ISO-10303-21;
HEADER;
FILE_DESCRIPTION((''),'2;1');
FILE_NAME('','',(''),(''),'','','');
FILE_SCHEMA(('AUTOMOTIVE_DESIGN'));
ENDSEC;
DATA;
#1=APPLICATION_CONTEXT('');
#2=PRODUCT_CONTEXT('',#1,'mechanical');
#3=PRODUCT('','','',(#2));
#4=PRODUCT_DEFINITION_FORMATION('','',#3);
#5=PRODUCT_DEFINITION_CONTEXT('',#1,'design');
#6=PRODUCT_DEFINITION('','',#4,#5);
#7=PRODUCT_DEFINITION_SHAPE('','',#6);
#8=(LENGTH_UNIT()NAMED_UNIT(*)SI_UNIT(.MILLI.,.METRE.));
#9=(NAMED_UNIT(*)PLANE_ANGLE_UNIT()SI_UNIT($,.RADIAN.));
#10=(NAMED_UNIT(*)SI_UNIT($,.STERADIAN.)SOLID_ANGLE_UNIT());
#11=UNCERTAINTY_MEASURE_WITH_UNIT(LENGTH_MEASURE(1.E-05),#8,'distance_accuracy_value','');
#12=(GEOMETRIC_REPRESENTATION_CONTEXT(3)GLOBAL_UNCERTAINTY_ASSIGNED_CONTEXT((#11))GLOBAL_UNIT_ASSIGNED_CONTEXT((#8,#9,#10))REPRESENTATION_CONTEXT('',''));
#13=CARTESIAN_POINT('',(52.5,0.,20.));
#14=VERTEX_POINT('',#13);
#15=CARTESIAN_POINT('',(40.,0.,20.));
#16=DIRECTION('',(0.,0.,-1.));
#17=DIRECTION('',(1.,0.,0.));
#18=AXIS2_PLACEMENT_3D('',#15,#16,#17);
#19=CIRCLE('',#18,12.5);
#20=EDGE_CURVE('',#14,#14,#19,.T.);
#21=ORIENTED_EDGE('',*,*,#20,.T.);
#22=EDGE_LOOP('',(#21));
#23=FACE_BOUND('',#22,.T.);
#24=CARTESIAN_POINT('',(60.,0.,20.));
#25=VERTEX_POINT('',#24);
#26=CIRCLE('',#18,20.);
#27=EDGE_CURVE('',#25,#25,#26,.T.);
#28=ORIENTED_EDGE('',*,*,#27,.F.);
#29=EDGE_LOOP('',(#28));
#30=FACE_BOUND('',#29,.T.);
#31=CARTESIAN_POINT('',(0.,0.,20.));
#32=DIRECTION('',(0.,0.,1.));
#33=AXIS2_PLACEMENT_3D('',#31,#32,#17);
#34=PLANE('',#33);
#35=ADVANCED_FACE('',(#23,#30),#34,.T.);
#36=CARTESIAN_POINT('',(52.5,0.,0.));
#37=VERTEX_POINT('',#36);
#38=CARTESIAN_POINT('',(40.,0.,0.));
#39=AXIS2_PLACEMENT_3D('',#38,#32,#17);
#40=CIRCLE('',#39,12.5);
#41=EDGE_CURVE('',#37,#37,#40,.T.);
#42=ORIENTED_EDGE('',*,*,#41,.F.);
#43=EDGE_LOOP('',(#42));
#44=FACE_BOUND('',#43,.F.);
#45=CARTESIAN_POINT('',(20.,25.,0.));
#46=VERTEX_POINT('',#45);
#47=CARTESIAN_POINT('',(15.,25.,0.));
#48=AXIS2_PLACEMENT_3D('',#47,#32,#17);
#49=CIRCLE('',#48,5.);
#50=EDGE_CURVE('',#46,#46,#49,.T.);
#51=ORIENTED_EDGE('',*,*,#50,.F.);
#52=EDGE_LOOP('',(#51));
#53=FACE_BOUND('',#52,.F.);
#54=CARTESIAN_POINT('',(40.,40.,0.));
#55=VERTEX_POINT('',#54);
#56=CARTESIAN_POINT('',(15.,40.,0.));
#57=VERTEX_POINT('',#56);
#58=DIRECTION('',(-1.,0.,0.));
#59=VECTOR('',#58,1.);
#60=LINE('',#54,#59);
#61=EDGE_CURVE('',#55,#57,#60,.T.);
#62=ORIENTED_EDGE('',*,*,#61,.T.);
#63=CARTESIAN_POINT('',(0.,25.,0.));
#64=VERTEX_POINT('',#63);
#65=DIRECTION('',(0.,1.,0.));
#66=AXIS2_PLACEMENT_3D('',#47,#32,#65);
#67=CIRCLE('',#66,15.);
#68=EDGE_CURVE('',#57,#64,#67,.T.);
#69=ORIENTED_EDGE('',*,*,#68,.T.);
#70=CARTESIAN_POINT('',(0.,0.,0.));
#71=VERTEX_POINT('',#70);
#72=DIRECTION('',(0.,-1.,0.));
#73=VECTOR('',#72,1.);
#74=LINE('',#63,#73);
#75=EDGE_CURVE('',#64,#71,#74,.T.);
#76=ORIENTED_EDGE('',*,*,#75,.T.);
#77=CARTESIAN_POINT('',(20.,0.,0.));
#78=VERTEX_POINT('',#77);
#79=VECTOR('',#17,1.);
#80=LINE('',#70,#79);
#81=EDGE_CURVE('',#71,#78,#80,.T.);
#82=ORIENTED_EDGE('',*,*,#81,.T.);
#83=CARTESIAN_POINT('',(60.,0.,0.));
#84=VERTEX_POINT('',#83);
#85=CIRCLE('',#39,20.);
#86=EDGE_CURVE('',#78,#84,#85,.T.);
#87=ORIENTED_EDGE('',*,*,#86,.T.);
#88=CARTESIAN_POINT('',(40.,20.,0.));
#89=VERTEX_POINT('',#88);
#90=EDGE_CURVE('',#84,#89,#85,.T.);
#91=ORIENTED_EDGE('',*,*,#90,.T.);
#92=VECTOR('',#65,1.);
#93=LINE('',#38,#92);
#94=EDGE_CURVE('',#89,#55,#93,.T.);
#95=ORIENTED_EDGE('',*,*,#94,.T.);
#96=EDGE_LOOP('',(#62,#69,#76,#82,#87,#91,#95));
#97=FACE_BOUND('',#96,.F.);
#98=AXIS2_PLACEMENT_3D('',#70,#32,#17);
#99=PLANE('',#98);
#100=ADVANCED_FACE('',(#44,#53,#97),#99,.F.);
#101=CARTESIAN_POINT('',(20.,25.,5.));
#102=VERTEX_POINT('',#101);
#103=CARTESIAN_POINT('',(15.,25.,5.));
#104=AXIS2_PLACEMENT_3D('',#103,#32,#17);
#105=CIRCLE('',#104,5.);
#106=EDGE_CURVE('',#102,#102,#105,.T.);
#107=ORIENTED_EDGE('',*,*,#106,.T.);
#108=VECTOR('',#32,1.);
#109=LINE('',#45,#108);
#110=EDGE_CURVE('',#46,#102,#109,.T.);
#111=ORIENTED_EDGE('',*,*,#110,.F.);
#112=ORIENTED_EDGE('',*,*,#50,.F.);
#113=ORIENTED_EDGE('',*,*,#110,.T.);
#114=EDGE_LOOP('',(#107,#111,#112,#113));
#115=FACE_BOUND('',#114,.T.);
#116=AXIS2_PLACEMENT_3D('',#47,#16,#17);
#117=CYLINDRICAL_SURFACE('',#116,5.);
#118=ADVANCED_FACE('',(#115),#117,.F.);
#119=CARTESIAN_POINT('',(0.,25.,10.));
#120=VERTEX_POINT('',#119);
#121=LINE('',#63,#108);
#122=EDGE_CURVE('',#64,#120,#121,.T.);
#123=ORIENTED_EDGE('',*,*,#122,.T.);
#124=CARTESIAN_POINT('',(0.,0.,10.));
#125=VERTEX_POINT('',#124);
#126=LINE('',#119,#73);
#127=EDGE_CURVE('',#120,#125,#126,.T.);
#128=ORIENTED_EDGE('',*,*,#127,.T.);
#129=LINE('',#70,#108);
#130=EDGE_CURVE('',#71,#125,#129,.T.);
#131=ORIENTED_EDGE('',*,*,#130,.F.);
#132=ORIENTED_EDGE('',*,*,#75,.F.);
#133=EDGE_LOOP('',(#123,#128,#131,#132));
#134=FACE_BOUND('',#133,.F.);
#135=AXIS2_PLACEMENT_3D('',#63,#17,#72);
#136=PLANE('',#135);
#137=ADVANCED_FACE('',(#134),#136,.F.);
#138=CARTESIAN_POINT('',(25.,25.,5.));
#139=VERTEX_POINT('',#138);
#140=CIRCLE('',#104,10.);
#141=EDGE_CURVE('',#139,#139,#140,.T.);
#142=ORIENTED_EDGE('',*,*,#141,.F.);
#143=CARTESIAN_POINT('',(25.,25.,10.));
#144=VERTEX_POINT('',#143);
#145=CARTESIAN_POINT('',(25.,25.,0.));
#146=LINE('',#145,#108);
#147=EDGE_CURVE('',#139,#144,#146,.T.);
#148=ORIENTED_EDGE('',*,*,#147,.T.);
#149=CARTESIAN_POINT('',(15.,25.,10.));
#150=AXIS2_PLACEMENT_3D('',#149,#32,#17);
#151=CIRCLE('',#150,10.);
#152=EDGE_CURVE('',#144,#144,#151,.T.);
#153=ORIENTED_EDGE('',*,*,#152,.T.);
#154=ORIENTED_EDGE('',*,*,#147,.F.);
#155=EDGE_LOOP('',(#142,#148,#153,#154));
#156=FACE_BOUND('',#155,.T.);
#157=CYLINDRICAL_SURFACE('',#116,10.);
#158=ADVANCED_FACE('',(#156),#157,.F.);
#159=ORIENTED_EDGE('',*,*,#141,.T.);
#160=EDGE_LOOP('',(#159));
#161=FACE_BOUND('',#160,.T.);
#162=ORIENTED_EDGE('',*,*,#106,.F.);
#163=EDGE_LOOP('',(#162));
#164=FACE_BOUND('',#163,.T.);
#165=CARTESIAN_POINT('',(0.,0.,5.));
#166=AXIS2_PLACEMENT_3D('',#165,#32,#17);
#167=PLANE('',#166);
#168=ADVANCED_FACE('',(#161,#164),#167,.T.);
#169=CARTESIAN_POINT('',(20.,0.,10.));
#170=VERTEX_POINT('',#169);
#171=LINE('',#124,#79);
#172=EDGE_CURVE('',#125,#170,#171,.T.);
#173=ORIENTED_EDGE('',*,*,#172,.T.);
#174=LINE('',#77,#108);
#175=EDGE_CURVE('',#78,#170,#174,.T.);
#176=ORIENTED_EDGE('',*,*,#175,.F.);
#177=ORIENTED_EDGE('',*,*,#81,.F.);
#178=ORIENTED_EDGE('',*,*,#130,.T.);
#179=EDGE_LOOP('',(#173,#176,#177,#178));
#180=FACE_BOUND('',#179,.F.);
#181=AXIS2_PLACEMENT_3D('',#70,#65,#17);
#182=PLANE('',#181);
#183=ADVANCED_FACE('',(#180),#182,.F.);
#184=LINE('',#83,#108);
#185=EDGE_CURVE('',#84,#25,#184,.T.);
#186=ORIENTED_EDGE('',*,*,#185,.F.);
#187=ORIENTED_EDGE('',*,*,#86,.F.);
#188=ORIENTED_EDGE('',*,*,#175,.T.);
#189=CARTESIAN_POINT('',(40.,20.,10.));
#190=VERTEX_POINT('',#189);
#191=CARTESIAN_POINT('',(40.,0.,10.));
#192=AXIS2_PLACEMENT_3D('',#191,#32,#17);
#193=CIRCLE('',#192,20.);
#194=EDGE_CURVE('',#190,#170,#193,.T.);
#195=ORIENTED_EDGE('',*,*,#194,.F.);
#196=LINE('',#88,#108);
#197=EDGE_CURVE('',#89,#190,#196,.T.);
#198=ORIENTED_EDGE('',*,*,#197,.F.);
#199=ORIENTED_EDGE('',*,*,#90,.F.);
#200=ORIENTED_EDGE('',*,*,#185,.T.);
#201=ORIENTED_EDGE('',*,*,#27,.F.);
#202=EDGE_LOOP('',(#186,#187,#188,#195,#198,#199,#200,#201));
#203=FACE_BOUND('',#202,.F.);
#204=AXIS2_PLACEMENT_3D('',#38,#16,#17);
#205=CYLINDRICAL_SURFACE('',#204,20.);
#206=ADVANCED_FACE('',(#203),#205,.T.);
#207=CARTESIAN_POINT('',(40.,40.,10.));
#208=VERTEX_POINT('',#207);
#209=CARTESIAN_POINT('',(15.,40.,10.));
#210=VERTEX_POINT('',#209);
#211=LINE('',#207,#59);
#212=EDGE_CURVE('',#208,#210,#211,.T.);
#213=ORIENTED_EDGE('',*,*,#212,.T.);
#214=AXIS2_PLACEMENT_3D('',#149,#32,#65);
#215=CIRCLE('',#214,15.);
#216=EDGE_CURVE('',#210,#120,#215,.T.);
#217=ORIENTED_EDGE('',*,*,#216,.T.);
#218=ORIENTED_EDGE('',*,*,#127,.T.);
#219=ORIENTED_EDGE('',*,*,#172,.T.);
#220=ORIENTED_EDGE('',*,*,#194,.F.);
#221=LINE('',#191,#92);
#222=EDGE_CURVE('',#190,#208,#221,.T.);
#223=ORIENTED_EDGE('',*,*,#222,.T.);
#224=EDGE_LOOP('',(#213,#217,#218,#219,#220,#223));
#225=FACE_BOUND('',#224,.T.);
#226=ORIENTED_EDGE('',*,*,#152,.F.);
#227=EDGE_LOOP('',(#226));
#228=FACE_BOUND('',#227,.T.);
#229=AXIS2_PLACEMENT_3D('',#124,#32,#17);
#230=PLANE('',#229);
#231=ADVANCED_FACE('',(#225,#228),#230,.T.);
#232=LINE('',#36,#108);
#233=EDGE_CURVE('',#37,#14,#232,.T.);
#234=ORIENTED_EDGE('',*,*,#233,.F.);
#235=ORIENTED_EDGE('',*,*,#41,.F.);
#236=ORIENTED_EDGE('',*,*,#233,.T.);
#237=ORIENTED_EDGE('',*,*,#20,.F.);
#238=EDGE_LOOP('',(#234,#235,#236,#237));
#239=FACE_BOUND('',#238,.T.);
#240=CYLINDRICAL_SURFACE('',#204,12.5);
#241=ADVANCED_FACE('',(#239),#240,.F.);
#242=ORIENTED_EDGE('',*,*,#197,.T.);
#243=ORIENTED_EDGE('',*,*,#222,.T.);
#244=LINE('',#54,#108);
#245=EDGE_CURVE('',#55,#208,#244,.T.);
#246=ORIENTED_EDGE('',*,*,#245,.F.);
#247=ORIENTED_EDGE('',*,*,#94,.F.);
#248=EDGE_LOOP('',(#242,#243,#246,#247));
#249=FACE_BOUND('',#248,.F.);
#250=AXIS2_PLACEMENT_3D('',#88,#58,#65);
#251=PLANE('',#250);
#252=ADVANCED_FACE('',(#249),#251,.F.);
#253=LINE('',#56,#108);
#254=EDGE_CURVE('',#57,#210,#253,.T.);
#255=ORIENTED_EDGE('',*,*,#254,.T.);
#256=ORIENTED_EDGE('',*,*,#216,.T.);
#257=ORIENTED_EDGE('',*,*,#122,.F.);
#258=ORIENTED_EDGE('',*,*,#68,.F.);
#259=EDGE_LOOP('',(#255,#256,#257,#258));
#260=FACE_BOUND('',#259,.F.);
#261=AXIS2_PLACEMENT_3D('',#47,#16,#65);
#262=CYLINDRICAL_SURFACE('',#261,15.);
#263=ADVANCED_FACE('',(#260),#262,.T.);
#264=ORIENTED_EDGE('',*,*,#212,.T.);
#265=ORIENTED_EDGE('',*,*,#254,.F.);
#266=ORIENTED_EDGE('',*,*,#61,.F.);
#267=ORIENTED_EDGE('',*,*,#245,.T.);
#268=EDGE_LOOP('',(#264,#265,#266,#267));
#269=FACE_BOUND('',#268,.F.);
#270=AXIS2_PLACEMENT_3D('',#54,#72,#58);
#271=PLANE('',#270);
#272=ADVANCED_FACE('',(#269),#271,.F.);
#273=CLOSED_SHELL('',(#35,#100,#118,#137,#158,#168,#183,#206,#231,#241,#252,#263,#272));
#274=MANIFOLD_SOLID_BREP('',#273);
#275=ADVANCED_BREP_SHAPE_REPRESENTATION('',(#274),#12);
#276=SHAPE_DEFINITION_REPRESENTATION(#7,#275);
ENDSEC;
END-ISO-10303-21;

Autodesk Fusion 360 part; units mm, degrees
sketch "스케치1" plane through (0, 0, 0) normal (0, 0, 1) x (1, 0, 0)
  line L0 (0, 0) -> (40, 0)
  line L1 (40, 0) -> (40, 40)
  line L2 (40, 40) -> (15, 40)
  line L3 (0, 25) -> (0, 0)
  circle A0 centre (40, 0) radius 20
  circle A1 centre (40, 0) radius 12.5
  arc A2 (15, 40) -> (0, 25) centre (15, 25) ccw
  circle A3 centre (15, 25) radius 10
  circle A4 centre (15, 25) radius 5
  point P0 (0, 40)
  dimension "d1" = 40
  dimension "d2" = 40
  dimension "d3" = 40
  dimension "d4" = 25
  dimension "d5" = 15
  dimension "d6" = 20
  dimension "d7" = 10
extrude "돌출4" add sketch "스케치1" along normal blind 5 contours A3
extrude "돌출5" add sketch "스케치1" along normal blind 10 contours L0 L1 L2 L3 A0 A2
extrude "돌출6" add sketch "스케치1" along normal blind 20 contours L0 L1 A0 A1 | L0 L1 A0 A1
